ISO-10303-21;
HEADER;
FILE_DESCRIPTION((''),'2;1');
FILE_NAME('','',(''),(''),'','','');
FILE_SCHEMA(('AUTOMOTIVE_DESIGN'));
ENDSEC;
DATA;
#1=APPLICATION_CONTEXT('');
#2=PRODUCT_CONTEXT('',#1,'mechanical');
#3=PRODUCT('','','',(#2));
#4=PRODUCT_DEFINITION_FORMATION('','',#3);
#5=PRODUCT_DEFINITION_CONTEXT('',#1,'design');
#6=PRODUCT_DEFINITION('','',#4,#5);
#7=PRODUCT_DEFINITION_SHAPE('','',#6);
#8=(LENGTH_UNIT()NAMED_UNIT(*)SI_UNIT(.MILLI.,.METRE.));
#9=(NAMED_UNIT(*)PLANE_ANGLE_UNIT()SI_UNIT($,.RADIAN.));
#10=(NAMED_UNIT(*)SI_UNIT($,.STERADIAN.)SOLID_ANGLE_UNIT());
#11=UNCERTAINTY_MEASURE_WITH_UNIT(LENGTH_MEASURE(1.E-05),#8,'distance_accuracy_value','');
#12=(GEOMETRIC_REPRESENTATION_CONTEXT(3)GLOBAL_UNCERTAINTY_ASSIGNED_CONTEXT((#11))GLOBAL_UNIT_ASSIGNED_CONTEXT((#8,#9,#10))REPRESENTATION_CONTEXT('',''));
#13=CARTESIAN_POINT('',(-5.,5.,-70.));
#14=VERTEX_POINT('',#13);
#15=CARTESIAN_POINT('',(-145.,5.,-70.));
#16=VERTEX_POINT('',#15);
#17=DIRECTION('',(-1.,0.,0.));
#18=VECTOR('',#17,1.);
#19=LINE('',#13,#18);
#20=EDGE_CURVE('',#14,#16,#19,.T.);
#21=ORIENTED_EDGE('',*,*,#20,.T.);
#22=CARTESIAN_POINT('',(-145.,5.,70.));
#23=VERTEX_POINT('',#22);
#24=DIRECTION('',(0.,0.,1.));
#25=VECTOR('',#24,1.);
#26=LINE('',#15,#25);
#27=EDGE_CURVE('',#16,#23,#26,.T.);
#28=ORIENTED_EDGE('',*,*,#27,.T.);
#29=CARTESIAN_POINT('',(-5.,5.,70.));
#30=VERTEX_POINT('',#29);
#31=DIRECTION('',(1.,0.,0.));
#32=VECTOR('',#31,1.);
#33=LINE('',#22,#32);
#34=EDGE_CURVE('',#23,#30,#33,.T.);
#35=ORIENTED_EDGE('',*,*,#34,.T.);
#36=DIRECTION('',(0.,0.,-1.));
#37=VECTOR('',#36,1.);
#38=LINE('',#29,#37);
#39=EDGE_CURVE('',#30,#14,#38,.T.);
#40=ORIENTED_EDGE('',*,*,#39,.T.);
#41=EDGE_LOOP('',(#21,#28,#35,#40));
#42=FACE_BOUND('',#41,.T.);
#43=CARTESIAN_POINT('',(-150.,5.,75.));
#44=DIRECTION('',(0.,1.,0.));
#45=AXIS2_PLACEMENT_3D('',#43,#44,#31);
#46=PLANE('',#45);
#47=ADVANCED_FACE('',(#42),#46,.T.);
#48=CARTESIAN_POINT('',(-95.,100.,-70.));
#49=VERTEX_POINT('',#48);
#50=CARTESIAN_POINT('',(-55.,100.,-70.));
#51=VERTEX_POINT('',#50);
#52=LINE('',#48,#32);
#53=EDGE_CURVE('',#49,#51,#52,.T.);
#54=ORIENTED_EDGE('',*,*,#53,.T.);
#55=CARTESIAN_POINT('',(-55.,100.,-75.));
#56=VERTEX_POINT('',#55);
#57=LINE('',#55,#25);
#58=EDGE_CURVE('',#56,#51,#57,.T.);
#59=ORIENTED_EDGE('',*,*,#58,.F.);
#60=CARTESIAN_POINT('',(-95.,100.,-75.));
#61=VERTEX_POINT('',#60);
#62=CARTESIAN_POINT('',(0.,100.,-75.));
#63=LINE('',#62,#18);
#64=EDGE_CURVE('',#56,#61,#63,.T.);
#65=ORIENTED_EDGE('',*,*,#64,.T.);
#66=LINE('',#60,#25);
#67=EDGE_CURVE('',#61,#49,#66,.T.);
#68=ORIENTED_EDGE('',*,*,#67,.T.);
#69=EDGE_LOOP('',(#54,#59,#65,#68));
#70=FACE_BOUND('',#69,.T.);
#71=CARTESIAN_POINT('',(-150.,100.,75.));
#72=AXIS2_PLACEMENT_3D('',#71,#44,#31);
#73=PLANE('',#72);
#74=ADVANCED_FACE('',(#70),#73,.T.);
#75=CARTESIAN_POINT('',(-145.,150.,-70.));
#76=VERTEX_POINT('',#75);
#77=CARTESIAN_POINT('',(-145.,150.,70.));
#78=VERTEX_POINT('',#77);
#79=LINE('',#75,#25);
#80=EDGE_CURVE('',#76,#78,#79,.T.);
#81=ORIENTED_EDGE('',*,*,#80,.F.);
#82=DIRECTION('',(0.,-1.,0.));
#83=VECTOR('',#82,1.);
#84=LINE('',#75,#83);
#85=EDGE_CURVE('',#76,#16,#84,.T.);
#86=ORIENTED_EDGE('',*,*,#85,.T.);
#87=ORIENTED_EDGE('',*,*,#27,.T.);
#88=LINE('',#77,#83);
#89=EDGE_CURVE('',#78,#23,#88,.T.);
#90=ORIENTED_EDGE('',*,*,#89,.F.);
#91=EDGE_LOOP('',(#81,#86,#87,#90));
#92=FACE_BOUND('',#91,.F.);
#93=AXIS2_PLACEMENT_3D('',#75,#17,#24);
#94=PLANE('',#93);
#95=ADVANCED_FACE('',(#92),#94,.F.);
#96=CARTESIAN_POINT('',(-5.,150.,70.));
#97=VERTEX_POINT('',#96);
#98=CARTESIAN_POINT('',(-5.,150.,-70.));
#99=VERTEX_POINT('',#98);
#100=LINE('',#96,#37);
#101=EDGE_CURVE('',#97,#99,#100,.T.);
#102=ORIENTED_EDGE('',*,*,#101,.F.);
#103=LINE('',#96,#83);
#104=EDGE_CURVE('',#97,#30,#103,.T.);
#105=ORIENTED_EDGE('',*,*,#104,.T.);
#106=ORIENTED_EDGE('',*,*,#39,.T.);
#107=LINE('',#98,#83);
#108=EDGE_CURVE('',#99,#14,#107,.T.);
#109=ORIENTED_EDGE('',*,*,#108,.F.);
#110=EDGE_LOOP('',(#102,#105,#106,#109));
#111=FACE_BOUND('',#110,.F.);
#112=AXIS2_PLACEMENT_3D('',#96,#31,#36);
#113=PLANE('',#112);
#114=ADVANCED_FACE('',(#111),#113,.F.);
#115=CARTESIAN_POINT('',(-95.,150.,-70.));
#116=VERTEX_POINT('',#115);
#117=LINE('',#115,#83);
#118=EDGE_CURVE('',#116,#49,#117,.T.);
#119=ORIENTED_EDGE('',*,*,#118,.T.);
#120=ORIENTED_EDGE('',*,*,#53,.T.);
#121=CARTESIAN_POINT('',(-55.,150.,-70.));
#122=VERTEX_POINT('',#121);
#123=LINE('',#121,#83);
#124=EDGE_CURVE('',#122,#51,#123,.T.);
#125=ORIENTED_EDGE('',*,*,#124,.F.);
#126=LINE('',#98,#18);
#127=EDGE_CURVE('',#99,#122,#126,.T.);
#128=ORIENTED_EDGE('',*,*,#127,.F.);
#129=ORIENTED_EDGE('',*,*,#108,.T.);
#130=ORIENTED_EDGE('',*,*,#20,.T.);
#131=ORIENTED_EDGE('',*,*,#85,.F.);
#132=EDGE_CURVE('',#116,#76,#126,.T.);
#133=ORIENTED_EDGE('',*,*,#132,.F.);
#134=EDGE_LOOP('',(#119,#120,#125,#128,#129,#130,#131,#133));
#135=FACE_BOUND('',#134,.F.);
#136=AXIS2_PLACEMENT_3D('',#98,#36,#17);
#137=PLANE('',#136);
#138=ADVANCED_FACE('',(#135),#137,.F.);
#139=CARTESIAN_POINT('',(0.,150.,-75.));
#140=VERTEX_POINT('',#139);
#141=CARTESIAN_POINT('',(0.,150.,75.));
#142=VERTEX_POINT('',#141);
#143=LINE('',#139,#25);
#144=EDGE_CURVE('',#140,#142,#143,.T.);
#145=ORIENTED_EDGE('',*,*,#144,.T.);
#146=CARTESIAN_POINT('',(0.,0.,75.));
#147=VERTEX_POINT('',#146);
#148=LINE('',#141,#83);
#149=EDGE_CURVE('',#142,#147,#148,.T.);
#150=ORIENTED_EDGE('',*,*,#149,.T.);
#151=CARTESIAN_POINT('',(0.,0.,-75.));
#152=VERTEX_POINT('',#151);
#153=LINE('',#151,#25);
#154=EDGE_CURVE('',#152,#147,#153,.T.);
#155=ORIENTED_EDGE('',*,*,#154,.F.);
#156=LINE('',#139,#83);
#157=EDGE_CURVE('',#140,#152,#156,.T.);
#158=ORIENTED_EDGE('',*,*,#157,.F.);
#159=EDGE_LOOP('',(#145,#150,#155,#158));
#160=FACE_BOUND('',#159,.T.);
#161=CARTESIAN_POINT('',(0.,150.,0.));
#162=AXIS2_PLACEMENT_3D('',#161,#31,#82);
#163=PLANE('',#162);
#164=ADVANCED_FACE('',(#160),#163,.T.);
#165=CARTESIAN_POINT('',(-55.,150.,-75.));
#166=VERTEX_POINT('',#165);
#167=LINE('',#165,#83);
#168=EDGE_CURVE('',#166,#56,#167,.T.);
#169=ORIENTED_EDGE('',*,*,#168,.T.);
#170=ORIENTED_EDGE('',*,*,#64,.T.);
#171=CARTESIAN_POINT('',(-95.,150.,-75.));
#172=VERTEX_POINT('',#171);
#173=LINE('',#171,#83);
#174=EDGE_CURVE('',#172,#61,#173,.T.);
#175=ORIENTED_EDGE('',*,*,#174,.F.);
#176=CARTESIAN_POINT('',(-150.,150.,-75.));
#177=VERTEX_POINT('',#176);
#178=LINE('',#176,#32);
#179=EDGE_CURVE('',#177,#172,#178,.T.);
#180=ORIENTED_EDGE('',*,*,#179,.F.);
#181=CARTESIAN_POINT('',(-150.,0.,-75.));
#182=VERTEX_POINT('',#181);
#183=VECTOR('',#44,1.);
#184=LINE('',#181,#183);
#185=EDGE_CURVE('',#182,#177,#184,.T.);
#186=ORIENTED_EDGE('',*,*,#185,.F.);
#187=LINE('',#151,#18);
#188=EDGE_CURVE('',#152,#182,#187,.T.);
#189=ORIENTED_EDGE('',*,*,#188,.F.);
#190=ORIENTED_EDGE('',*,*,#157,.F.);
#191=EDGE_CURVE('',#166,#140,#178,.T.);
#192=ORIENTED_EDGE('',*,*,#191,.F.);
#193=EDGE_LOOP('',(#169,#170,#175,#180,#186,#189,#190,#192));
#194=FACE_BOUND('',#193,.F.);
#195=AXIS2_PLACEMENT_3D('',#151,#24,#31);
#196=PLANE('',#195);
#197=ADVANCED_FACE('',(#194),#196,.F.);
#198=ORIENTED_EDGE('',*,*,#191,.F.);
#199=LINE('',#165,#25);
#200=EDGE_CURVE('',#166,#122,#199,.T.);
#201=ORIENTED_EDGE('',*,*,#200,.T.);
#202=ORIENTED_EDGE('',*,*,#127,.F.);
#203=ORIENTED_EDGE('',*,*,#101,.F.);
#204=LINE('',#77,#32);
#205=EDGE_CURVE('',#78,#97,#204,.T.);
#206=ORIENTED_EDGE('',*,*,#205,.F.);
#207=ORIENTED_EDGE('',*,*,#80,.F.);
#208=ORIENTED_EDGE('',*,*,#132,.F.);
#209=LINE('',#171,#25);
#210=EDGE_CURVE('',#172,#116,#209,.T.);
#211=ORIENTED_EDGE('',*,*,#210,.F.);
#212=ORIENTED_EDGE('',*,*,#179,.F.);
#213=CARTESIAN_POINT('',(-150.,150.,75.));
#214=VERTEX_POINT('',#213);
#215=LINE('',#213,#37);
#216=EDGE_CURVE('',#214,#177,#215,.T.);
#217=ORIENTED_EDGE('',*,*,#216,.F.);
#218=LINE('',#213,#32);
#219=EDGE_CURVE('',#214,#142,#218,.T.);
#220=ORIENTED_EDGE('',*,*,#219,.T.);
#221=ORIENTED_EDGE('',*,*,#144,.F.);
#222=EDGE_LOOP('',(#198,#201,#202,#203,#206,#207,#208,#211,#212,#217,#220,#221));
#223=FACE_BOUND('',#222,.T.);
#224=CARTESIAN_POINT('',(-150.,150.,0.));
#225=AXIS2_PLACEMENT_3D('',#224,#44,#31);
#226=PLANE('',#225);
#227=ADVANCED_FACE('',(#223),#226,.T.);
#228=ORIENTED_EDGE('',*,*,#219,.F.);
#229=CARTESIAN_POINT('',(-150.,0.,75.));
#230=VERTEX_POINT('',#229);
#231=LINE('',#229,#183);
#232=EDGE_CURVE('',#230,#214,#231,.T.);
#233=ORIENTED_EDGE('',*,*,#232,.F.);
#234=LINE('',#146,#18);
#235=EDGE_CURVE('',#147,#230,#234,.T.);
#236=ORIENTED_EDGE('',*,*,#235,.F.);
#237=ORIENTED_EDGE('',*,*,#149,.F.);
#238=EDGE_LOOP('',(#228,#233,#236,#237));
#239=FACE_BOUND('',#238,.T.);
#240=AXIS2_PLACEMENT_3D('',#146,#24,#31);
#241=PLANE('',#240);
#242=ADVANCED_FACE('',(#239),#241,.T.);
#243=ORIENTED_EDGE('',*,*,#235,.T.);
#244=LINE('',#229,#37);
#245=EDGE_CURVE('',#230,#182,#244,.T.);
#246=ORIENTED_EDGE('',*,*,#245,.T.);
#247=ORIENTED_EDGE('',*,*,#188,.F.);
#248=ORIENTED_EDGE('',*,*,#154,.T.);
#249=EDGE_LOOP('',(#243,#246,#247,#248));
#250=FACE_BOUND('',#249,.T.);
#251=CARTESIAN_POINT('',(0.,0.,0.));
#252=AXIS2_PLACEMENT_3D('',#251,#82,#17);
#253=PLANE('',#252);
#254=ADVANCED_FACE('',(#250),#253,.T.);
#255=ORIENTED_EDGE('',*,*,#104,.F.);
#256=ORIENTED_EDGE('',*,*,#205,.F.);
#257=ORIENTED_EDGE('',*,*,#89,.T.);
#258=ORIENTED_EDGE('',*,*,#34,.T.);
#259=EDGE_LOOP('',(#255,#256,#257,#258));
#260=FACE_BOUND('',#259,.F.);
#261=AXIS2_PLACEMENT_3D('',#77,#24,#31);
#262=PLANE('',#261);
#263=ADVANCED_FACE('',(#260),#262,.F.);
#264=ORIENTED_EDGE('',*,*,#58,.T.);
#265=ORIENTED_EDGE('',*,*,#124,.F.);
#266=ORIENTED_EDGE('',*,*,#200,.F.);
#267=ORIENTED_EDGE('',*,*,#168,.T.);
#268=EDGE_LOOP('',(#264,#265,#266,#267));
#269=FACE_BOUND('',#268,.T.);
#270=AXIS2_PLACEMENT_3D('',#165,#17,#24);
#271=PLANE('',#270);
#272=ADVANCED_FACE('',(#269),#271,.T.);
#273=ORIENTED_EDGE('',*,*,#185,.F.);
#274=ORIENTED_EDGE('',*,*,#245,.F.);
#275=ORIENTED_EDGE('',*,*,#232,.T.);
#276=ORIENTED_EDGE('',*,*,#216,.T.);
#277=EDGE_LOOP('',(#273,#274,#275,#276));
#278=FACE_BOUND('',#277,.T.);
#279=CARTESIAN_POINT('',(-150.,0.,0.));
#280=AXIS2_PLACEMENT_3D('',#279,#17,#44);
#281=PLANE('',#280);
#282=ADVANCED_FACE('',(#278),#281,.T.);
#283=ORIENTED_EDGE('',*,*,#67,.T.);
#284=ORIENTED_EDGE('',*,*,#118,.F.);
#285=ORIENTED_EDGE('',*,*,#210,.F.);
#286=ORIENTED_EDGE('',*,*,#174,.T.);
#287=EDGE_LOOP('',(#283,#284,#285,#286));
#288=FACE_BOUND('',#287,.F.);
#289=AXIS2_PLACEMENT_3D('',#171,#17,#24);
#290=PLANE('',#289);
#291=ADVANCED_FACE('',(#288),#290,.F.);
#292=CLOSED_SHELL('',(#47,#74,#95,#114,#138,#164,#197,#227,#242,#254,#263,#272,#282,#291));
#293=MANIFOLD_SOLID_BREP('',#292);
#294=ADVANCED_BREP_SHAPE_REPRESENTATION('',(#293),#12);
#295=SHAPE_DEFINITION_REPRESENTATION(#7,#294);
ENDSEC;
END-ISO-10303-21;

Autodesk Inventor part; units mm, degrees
ref_plane "YZ Plane" through (0, 0, 0) normal (1, 0, 0) x (0, 1, 0)
ref_plane "XZ Plane" through (0, 0, 0) normal (0, 1, 0) x (-1, 0, 0)
ref_plane "XY Plane" through (0, 0, 0) normal (0, 0, 1) x (1, 0, 0)
sketch "Sketch1" plane through (0, 0, 0) normal (0, 0, 1) x (1, 0, 0)
  line L0 (0, 0) -> (-150, 0)
  line L1 (-150, 0) -> (-150, 150)
  line L2 (-150, 150) -> (0, 150)
  line L3 (0, 150) -> (0, 0)
  dimension "d0" = 150
  dimension "d1" = 150
extrude "Extrusion1" add sketch "Sketch1" along normal mid plane 150
sketch "Sketch2" plane through (-150, 150, 75) normal (0, 1, 0) x (1, 0, 0)
  line L0 (150, 0) -> (0, 0) projected
  line L1 (150, 150) -> (150, 0) projected
  line L2 (0, 0) -> (150, 0)
  line L3 (150, 0) -> (150, 150)
  line L4 (150, 150) -> (0, 150)
  line L5 (0, 150) -> (0, 0)
  line L6 (5, 5) -> (145, 5)
  line L7 (145, 5) -> (145, 145)
  line L8 (145, 145) -> (5, 145)
  line L9 (5, 145) -> (5, 5)
  point P0 (150, 75)
  dimension "d4" = 5
  dimension "d5" = 5
  dimension "d6" = 5
  dimension "d7" = 5
extrude "Extrusion2" cut sketch "Sketch2" against normal blind 145 contours L9 L8 L7 L6
sketch "Sketch3" plane through (-150, 150, 75) normal (0, 1, 0) x (1, 0, 0)
  line L0 (0, 0) -> (150, 0)
  line L1 (150, 0) -> (150, 150)
  line L2 (150, 150) -> (0, 150)
  line L3 (0, 150) -> (0, 0)
  line L4 (150, 150) -> (0, 150) projected
  line L5 (75, 150) -> (75, 0) construction
  line L6 (55, 150) -> (55, 145)
  line L7 (5, 145) -> (145, 145) construction
  line L8 (55, 145) -> (95, 145)
  line L9 (95, 150) -> (95, 145)
  point P0 (150, 75)
  dimension "d10" = 20
  dimension "d11" = 20
extrude "Extrusion3" cut sketch "Sketch3" against normal blind 50 contours L2 L9 L8 L6
properties part number "electronics bay"
